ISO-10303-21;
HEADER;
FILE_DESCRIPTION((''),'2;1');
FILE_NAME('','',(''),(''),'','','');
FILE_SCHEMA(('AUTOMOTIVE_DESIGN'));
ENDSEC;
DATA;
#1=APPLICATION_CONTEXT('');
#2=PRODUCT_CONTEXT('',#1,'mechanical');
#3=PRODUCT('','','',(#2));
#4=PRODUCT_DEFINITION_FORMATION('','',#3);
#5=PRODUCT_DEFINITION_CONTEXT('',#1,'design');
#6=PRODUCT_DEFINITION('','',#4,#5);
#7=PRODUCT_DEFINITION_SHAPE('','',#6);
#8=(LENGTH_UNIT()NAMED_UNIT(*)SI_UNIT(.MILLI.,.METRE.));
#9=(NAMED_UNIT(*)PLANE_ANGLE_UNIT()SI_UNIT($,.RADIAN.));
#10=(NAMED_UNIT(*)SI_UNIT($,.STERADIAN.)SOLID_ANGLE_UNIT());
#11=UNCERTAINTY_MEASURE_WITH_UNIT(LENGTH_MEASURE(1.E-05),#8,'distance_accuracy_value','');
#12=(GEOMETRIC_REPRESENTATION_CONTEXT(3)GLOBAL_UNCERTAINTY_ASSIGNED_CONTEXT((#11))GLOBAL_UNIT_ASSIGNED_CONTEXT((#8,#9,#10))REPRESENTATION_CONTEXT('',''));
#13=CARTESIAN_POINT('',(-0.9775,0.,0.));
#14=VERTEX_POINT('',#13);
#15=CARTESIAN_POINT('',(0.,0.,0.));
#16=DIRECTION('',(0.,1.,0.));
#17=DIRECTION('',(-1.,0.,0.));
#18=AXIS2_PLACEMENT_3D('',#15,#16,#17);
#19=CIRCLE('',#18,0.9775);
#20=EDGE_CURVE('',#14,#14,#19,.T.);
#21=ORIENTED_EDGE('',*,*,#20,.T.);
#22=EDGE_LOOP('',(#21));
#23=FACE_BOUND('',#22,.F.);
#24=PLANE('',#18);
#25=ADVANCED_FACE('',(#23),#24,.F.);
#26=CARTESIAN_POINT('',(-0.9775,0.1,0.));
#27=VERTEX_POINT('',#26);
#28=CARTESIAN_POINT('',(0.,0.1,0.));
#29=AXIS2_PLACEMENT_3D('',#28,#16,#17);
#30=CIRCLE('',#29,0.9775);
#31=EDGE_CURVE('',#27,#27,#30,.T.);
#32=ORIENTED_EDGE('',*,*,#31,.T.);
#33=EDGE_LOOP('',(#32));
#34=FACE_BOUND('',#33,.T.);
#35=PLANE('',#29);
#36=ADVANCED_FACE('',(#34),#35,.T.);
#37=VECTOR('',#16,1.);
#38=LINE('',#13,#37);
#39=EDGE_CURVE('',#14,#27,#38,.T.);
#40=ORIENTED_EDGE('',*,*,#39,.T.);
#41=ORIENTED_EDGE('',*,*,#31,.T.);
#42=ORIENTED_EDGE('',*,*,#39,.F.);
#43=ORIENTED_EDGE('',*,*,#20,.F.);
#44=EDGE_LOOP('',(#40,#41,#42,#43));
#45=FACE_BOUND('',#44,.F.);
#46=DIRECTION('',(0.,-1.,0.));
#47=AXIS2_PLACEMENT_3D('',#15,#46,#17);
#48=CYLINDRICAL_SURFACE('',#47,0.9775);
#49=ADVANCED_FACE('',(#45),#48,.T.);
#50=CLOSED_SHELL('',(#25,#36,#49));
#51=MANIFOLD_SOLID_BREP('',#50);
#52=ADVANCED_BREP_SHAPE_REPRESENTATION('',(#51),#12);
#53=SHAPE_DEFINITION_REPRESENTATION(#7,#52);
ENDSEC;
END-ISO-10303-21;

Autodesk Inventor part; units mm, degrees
ref_plane "YZ Plane" through (0, 0, 0) normal (1, 0, 0) x (0, 1, 0)
ref_plane "XZ Plane" through (0, 0, 0) normal (0, 1, 0) x (-1, 0, 0)
ref_plane "XY Plane" through (0, 0, 0) normal (0, 0, 1) x (1, 0, 0)
sketch "Boceto1" plane through (0, 0, 0) normal (0, 1, 0) x (-1, 0, 0)
  circle A0 centre (0, 0) radius 0.9775
  dimension "d0" = 0.1
extrude "Extrusión1" add sketch "Boceto1" along normal blind 0.1
properties part number "ET26"
